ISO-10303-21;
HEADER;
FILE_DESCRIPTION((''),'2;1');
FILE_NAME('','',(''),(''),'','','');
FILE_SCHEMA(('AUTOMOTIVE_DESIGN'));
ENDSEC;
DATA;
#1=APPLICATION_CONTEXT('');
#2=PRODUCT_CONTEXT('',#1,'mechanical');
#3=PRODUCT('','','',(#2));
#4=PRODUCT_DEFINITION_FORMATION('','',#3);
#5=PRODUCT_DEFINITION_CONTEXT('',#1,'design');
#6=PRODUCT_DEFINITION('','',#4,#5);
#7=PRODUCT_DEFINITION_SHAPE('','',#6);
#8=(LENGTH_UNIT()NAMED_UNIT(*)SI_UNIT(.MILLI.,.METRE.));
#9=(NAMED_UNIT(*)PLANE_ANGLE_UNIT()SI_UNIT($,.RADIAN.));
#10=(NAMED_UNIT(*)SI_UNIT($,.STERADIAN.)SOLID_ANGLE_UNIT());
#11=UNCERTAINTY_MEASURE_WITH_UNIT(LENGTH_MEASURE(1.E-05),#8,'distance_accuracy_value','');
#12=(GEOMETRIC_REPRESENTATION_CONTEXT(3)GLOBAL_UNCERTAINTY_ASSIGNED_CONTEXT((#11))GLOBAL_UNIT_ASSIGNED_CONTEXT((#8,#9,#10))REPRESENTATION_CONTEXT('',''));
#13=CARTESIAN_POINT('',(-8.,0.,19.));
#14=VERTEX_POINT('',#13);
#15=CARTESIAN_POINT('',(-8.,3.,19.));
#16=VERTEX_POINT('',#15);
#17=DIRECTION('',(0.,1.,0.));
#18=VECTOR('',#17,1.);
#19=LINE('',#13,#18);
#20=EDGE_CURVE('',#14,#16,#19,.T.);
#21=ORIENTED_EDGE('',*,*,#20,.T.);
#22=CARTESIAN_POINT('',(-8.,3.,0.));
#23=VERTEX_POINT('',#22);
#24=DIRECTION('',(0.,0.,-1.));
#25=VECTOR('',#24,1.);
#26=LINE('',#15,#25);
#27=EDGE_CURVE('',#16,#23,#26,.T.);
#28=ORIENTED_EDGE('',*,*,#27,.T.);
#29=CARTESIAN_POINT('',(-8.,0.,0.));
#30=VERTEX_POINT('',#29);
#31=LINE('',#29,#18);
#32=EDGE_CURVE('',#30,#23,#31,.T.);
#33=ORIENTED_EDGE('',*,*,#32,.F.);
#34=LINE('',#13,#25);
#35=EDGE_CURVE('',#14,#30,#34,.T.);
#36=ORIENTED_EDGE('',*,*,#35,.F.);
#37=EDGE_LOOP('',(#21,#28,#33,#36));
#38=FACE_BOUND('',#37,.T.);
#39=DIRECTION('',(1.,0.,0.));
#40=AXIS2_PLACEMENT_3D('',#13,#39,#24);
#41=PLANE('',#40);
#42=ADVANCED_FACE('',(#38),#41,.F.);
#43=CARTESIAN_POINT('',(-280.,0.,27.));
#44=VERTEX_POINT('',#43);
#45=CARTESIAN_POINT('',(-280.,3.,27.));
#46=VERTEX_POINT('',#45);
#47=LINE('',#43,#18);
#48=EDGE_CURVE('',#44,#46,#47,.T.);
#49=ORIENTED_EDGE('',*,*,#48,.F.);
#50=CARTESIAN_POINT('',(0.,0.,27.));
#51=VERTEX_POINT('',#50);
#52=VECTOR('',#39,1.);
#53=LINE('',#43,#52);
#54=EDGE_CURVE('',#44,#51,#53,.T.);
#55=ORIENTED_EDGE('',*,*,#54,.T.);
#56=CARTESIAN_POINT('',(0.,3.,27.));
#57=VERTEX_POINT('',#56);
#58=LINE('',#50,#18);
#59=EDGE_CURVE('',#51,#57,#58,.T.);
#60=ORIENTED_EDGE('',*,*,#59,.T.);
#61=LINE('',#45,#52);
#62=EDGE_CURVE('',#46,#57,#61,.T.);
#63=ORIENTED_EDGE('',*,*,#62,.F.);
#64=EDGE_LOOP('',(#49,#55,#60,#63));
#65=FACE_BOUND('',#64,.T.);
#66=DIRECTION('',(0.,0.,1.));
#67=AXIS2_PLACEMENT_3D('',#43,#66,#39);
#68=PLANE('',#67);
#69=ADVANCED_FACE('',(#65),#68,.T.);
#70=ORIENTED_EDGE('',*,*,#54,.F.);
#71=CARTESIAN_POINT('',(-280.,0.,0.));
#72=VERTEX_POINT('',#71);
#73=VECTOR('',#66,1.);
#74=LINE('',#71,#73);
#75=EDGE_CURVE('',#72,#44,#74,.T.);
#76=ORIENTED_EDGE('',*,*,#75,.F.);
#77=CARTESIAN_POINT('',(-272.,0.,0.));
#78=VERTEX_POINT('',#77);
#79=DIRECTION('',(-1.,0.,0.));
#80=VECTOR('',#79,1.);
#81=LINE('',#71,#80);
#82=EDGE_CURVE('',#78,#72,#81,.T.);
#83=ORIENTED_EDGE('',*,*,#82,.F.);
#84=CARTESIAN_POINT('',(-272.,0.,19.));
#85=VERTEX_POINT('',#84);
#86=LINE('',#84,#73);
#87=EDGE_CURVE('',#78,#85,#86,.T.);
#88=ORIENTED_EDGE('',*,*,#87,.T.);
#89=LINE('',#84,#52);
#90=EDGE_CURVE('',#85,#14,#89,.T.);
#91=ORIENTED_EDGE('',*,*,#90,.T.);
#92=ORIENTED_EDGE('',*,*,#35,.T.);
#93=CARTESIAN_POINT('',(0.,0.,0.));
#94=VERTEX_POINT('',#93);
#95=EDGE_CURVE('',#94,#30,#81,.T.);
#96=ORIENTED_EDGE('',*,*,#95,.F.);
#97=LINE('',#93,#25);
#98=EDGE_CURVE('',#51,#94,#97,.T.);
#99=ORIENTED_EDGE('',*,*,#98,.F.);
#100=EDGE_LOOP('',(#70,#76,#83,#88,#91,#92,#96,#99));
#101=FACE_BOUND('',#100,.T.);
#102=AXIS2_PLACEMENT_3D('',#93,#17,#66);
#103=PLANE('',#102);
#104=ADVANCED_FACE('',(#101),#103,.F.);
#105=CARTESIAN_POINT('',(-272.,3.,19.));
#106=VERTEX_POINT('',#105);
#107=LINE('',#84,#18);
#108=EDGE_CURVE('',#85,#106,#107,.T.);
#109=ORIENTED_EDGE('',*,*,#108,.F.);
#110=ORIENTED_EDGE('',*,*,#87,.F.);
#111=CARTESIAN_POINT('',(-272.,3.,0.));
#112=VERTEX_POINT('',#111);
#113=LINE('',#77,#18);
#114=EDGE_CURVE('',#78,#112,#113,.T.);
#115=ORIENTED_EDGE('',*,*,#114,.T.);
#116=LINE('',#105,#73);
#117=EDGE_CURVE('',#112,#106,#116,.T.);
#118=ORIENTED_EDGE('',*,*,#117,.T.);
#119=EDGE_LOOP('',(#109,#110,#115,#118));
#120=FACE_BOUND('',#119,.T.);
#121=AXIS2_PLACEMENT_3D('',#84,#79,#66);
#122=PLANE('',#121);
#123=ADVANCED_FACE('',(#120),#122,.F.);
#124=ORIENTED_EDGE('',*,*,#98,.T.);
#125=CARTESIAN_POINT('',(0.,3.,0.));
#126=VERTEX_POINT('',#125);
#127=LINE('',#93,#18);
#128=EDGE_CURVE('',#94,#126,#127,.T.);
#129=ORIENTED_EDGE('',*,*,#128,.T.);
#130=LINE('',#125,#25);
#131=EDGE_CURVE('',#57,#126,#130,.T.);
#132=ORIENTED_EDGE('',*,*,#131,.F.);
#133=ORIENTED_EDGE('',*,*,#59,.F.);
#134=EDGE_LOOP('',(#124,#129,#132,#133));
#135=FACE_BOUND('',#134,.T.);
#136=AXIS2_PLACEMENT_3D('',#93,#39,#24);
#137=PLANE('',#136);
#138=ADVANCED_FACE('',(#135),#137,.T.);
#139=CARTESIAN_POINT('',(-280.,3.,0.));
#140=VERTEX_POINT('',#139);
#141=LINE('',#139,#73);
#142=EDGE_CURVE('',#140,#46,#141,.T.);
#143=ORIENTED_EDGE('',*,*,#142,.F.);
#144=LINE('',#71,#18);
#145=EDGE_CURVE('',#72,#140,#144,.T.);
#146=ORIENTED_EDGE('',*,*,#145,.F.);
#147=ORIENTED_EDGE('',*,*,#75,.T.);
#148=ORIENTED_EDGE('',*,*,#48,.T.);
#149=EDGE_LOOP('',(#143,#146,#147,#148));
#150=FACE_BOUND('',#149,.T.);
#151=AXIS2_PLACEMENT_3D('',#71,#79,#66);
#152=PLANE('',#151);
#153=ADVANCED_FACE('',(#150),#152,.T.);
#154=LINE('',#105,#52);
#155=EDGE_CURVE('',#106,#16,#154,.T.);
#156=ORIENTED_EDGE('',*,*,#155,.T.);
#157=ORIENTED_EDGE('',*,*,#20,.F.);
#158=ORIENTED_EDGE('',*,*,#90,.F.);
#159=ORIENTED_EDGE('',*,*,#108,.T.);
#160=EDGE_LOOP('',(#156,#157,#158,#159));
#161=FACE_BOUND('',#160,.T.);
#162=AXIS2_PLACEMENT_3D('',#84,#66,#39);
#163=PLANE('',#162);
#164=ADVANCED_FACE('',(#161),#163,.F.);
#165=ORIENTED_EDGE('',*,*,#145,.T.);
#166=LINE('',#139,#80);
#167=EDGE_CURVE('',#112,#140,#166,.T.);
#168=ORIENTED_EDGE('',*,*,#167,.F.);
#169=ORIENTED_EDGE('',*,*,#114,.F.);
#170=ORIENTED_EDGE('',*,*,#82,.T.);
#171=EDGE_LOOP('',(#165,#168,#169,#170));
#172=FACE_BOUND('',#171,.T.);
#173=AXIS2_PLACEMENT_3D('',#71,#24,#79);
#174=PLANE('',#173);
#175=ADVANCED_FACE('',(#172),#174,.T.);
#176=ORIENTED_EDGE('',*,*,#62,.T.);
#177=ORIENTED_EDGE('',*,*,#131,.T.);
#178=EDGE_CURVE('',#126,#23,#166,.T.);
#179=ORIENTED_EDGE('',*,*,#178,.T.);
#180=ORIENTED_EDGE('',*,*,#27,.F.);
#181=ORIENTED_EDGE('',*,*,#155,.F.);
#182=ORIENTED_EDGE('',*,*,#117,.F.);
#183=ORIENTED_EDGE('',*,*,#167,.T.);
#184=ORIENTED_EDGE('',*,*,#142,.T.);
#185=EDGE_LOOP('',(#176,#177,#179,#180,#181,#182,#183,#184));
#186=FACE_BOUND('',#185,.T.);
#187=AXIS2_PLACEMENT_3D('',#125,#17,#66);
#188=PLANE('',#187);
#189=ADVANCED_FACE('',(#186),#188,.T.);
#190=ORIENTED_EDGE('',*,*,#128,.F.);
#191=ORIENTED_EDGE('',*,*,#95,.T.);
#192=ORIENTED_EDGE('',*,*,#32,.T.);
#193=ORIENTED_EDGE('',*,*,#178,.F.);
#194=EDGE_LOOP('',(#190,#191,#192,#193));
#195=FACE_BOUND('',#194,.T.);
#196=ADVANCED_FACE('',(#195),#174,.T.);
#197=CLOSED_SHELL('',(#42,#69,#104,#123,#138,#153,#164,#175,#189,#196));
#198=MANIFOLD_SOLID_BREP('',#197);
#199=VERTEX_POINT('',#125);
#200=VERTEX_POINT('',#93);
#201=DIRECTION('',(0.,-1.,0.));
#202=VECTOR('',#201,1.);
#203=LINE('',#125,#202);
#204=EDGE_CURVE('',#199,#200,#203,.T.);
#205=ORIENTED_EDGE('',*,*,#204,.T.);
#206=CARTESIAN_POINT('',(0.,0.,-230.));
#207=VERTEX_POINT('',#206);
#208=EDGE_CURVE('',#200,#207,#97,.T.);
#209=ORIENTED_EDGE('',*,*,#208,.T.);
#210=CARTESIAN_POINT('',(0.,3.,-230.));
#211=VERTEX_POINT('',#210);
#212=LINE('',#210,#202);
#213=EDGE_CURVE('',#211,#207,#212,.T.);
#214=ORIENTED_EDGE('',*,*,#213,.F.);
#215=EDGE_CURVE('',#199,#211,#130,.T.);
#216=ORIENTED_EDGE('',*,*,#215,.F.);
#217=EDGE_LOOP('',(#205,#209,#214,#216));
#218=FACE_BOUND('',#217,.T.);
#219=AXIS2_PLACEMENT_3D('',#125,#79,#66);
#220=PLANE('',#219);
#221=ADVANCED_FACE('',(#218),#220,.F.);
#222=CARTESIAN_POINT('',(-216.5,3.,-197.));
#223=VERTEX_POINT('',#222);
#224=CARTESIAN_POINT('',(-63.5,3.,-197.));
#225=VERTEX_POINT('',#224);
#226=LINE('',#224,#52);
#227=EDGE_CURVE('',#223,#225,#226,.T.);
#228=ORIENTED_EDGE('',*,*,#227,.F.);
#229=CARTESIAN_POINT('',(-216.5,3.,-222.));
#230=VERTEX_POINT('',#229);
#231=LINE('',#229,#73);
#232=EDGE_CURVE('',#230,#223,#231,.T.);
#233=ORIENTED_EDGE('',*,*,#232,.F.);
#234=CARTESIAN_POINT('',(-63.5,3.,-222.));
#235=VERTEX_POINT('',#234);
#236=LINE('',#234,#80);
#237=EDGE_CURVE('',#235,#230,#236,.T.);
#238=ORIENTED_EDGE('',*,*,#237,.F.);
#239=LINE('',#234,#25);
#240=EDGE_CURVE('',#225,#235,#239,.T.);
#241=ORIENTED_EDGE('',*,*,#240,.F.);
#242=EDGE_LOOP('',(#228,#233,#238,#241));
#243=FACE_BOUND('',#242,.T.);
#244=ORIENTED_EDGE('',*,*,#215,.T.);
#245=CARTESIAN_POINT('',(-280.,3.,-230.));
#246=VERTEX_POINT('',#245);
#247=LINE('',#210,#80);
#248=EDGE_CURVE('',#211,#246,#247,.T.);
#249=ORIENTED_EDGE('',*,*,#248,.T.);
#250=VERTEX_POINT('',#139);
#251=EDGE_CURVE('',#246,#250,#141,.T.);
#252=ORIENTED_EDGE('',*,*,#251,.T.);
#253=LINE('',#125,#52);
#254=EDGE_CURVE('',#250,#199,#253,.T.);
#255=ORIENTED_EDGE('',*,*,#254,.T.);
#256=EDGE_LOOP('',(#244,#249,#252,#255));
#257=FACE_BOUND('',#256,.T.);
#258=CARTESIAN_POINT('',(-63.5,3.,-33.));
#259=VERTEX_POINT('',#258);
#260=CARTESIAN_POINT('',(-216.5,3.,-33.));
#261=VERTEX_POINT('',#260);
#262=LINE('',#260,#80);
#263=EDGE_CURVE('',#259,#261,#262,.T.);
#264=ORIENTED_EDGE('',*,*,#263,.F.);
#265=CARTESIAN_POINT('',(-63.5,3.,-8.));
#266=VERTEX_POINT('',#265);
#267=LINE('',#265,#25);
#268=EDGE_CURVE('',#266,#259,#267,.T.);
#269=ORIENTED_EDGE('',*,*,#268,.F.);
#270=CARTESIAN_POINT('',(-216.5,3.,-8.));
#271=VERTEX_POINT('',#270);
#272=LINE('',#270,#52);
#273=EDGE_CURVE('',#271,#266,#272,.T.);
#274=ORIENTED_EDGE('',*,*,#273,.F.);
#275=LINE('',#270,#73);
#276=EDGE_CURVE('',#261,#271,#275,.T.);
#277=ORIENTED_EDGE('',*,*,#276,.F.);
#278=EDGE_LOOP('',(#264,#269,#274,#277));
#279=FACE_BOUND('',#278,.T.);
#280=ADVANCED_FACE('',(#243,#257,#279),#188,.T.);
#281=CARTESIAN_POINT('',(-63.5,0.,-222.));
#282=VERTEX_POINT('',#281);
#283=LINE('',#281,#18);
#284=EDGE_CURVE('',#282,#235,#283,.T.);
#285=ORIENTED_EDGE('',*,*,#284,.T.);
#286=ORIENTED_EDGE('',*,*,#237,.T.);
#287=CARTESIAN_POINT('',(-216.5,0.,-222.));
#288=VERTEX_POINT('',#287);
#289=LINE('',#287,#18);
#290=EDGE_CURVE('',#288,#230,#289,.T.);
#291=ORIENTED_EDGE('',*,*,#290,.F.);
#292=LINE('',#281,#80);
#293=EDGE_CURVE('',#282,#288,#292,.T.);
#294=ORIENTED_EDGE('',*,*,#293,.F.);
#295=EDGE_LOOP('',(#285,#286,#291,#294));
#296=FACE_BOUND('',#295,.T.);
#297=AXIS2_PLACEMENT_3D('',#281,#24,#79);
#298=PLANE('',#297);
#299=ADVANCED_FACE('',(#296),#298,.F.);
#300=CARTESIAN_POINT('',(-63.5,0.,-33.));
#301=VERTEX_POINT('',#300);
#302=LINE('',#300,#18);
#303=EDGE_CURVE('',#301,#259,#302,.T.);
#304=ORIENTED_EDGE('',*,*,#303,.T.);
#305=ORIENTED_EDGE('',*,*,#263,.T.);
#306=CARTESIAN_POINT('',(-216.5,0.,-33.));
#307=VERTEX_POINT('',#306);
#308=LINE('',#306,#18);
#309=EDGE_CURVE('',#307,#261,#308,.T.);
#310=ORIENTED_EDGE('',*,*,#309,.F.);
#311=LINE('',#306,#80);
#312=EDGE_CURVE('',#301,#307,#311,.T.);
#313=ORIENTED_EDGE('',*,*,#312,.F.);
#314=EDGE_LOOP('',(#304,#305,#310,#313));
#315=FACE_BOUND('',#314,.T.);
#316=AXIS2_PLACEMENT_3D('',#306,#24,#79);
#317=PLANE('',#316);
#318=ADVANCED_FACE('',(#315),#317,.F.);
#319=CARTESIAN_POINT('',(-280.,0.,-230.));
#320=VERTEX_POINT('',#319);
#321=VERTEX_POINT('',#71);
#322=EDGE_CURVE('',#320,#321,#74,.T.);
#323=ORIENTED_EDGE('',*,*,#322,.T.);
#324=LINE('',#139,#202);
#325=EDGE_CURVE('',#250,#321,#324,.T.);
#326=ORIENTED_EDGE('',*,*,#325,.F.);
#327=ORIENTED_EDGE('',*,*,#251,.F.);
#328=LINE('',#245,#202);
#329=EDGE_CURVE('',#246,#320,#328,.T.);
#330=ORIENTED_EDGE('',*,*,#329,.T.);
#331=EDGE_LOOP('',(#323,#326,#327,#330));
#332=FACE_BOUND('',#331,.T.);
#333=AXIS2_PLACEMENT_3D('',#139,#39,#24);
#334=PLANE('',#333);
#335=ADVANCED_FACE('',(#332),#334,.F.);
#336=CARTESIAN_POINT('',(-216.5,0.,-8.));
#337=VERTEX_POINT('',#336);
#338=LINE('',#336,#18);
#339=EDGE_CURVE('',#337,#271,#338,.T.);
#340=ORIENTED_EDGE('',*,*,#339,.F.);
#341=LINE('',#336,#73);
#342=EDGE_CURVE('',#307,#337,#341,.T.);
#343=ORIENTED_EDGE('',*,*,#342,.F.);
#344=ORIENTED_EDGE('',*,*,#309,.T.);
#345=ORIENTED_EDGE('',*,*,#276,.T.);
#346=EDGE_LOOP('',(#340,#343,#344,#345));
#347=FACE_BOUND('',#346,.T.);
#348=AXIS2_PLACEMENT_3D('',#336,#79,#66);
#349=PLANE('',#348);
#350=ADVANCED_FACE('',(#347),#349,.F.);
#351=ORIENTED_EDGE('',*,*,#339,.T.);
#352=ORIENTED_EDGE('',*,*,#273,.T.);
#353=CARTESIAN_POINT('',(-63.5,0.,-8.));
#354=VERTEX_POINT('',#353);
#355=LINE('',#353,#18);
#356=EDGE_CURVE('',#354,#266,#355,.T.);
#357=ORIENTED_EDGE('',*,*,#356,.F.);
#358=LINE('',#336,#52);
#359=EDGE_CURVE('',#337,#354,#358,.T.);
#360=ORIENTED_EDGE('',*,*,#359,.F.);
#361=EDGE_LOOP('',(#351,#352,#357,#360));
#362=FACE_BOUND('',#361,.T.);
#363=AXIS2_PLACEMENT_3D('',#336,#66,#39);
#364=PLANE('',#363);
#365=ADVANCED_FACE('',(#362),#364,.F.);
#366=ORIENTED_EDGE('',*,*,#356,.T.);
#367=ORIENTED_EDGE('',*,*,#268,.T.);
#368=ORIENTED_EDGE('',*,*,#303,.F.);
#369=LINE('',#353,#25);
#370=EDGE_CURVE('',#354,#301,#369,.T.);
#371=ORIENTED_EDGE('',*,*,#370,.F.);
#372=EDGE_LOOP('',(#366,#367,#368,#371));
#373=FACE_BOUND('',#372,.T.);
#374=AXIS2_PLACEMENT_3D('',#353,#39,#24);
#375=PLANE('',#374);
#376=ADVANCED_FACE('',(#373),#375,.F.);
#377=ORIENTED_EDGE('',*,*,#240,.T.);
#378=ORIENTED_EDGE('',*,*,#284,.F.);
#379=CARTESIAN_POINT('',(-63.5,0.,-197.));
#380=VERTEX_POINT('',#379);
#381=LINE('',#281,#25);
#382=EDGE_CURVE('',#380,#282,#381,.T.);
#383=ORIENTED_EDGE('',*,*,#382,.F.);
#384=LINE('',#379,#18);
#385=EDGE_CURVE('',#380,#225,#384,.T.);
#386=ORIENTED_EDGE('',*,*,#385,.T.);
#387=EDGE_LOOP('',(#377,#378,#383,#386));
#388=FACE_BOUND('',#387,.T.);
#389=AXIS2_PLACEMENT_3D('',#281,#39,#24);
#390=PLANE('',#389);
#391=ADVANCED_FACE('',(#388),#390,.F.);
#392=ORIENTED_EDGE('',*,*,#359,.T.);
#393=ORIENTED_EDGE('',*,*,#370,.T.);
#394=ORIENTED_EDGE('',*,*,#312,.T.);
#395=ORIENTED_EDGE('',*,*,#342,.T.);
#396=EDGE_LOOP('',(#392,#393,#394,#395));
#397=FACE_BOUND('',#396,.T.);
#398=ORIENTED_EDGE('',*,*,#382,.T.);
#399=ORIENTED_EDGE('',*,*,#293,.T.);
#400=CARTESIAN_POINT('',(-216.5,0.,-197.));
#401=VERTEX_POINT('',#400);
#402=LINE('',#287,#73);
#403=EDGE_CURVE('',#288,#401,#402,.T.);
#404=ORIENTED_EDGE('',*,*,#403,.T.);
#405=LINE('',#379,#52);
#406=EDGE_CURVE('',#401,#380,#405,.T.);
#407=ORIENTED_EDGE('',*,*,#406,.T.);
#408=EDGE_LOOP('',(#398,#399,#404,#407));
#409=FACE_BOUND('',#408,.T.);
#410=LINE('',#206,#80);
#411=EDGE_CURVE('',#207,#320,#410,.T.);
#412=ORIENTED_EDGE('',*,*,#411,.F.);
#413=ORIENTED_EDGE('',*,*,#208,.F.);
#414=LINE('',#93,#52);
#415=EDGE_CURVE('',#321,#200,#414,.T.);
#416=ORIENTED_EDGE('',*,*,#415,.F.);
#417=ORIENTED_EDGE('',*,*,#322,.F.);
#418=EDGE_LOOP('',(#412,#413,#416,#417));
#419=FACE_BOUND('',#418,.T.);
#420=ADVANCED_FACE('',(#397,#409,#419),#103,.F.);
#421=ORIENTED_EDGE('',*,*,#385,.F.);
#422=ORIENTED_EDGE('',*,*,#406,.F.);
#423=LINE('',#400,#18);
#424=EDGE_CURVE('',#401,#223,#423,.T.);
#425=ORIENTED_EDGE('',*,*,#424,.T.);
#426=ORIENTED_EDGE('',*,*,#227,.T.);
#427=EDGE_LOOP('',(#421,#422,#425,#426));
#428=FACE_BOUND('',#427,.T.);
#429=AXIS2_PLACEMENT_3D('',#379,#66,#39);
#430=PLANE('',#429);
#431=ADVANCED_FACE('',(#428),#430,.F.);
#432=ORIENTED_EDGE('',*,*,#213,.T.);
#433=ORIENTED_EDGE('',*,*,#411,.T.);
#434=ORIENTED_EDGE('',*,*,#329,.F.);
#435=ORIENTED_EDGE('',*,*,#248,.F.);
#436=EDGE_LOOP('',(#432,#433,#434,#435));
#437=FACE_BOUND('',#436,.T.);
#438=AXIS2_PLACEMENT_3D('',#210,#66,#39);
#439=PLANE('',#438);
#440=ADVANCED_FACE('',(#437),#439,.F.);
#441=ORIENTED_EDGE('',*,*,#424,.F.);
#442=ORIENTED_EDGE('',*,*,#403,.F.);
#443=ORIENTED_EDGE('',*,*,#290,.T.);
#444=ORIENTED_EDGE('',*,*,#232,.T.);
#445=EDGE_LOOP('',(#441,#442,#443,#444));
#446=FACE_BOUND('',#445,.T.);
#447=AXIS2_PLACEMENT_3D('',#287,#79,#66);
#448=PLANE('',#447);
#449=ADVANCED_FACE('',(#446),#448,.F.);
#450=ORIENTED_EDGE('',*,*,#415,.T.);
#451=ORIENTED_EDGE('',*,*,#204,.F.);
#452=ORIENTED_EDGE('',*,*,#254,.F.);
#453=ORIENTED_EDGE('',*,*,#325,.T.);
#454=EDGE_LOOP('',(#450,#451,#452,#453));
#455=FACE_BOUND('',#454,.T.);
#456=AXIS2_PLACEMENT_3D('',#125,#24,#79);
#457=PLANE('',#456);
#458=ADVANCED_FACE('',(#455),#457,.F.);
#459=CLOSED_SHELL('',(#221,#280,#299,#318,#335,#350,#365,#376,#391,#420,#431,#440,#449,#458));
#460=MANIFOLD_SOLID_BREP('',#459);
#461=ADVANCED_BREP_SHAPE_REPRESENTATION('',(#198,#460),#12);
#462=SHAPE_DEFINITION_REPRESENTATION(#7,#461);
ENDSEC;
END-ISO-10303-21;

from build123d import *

# Parameters (mm, degrees)
SKETCH1_W           = 280
SKETCH1_H           = 230
BOSS_EXTRUDE1_DEPTH = 3
SKETCH4_W           = 153
SKETCH4_H           = 25
CUT_EXTRUDE2_DEPTH  = 363.365837242
SKETCH5_W           = 280
SKETCH5_H           = 27
BOSS_EXTRUDE2_DEPTH = 3
SKETCH7_W           = 264
SKETCH7_H           = 19
CUT_EXTRUDE4_DEPTH  = 363.365837242


with BuildPart() as part:
    # Sketch1 → Boss-Extrude1 (new body)
    with BuildSketch(Plane(origin=(0, 0, 0), x_dir=(1, 0, 0), z_dir=(0, 1, 0))):
        with Locations((-140, 115)):
            Rectangle(SKETCH1_W, SKETCH1_H)
    extrude(amount=BOSS_EXTRUDE1_DEPTH)

    # Sketch4 → Cut-Extrude2 (cut, through all)
    with BuildSketch(Plane(origin=(0, 3, 0), x_dir=(1, 0, 0), z_dir=(0, 1, 0))):
        with Locations((-140, 209.5)):
            Rectangle(SKETCH4_W, SKETCH4_H)
        with Locations((-140, 20.5)):
            Rectangle(SKETCH4_W, SKETCH4_H)
    extrude(amount=-CUT_EXTRUDE2_DEPTH, mode=Mode.SUBTRACT)


with BuildPart() as body_2:
    # Sketch5 → Boss-Extrude2 (new body)
    with BuildSketch(Plane(origin=(0, 3, 0), x_dir=(1, 0, 0), z_dir=(0, 1, 0))):
        with Locations((-140, -13.5)):
            Rectangle(SKETCH5_W, SKETCH5_H)
    extrude(amount=-BOSS_EXTRUDE2_DEPTH)

    # Sketch7 → Cut-Extrude4 (cut, through all)
    with BuildSketch(Plane(origin=(0, 3, 0), x_dir=(1, 0, 0), z_dir=(0, 1, 0))):
        with Locations((-140, -9.5)):
            Rectangle(SKETCH7_W, SKETCH7_H)
    extrude(amount=-CUT_EXTRUDE4_DEPTH, mode=Mode.SUBTRACT)


solid = Compound([part.part, body_2.part])
